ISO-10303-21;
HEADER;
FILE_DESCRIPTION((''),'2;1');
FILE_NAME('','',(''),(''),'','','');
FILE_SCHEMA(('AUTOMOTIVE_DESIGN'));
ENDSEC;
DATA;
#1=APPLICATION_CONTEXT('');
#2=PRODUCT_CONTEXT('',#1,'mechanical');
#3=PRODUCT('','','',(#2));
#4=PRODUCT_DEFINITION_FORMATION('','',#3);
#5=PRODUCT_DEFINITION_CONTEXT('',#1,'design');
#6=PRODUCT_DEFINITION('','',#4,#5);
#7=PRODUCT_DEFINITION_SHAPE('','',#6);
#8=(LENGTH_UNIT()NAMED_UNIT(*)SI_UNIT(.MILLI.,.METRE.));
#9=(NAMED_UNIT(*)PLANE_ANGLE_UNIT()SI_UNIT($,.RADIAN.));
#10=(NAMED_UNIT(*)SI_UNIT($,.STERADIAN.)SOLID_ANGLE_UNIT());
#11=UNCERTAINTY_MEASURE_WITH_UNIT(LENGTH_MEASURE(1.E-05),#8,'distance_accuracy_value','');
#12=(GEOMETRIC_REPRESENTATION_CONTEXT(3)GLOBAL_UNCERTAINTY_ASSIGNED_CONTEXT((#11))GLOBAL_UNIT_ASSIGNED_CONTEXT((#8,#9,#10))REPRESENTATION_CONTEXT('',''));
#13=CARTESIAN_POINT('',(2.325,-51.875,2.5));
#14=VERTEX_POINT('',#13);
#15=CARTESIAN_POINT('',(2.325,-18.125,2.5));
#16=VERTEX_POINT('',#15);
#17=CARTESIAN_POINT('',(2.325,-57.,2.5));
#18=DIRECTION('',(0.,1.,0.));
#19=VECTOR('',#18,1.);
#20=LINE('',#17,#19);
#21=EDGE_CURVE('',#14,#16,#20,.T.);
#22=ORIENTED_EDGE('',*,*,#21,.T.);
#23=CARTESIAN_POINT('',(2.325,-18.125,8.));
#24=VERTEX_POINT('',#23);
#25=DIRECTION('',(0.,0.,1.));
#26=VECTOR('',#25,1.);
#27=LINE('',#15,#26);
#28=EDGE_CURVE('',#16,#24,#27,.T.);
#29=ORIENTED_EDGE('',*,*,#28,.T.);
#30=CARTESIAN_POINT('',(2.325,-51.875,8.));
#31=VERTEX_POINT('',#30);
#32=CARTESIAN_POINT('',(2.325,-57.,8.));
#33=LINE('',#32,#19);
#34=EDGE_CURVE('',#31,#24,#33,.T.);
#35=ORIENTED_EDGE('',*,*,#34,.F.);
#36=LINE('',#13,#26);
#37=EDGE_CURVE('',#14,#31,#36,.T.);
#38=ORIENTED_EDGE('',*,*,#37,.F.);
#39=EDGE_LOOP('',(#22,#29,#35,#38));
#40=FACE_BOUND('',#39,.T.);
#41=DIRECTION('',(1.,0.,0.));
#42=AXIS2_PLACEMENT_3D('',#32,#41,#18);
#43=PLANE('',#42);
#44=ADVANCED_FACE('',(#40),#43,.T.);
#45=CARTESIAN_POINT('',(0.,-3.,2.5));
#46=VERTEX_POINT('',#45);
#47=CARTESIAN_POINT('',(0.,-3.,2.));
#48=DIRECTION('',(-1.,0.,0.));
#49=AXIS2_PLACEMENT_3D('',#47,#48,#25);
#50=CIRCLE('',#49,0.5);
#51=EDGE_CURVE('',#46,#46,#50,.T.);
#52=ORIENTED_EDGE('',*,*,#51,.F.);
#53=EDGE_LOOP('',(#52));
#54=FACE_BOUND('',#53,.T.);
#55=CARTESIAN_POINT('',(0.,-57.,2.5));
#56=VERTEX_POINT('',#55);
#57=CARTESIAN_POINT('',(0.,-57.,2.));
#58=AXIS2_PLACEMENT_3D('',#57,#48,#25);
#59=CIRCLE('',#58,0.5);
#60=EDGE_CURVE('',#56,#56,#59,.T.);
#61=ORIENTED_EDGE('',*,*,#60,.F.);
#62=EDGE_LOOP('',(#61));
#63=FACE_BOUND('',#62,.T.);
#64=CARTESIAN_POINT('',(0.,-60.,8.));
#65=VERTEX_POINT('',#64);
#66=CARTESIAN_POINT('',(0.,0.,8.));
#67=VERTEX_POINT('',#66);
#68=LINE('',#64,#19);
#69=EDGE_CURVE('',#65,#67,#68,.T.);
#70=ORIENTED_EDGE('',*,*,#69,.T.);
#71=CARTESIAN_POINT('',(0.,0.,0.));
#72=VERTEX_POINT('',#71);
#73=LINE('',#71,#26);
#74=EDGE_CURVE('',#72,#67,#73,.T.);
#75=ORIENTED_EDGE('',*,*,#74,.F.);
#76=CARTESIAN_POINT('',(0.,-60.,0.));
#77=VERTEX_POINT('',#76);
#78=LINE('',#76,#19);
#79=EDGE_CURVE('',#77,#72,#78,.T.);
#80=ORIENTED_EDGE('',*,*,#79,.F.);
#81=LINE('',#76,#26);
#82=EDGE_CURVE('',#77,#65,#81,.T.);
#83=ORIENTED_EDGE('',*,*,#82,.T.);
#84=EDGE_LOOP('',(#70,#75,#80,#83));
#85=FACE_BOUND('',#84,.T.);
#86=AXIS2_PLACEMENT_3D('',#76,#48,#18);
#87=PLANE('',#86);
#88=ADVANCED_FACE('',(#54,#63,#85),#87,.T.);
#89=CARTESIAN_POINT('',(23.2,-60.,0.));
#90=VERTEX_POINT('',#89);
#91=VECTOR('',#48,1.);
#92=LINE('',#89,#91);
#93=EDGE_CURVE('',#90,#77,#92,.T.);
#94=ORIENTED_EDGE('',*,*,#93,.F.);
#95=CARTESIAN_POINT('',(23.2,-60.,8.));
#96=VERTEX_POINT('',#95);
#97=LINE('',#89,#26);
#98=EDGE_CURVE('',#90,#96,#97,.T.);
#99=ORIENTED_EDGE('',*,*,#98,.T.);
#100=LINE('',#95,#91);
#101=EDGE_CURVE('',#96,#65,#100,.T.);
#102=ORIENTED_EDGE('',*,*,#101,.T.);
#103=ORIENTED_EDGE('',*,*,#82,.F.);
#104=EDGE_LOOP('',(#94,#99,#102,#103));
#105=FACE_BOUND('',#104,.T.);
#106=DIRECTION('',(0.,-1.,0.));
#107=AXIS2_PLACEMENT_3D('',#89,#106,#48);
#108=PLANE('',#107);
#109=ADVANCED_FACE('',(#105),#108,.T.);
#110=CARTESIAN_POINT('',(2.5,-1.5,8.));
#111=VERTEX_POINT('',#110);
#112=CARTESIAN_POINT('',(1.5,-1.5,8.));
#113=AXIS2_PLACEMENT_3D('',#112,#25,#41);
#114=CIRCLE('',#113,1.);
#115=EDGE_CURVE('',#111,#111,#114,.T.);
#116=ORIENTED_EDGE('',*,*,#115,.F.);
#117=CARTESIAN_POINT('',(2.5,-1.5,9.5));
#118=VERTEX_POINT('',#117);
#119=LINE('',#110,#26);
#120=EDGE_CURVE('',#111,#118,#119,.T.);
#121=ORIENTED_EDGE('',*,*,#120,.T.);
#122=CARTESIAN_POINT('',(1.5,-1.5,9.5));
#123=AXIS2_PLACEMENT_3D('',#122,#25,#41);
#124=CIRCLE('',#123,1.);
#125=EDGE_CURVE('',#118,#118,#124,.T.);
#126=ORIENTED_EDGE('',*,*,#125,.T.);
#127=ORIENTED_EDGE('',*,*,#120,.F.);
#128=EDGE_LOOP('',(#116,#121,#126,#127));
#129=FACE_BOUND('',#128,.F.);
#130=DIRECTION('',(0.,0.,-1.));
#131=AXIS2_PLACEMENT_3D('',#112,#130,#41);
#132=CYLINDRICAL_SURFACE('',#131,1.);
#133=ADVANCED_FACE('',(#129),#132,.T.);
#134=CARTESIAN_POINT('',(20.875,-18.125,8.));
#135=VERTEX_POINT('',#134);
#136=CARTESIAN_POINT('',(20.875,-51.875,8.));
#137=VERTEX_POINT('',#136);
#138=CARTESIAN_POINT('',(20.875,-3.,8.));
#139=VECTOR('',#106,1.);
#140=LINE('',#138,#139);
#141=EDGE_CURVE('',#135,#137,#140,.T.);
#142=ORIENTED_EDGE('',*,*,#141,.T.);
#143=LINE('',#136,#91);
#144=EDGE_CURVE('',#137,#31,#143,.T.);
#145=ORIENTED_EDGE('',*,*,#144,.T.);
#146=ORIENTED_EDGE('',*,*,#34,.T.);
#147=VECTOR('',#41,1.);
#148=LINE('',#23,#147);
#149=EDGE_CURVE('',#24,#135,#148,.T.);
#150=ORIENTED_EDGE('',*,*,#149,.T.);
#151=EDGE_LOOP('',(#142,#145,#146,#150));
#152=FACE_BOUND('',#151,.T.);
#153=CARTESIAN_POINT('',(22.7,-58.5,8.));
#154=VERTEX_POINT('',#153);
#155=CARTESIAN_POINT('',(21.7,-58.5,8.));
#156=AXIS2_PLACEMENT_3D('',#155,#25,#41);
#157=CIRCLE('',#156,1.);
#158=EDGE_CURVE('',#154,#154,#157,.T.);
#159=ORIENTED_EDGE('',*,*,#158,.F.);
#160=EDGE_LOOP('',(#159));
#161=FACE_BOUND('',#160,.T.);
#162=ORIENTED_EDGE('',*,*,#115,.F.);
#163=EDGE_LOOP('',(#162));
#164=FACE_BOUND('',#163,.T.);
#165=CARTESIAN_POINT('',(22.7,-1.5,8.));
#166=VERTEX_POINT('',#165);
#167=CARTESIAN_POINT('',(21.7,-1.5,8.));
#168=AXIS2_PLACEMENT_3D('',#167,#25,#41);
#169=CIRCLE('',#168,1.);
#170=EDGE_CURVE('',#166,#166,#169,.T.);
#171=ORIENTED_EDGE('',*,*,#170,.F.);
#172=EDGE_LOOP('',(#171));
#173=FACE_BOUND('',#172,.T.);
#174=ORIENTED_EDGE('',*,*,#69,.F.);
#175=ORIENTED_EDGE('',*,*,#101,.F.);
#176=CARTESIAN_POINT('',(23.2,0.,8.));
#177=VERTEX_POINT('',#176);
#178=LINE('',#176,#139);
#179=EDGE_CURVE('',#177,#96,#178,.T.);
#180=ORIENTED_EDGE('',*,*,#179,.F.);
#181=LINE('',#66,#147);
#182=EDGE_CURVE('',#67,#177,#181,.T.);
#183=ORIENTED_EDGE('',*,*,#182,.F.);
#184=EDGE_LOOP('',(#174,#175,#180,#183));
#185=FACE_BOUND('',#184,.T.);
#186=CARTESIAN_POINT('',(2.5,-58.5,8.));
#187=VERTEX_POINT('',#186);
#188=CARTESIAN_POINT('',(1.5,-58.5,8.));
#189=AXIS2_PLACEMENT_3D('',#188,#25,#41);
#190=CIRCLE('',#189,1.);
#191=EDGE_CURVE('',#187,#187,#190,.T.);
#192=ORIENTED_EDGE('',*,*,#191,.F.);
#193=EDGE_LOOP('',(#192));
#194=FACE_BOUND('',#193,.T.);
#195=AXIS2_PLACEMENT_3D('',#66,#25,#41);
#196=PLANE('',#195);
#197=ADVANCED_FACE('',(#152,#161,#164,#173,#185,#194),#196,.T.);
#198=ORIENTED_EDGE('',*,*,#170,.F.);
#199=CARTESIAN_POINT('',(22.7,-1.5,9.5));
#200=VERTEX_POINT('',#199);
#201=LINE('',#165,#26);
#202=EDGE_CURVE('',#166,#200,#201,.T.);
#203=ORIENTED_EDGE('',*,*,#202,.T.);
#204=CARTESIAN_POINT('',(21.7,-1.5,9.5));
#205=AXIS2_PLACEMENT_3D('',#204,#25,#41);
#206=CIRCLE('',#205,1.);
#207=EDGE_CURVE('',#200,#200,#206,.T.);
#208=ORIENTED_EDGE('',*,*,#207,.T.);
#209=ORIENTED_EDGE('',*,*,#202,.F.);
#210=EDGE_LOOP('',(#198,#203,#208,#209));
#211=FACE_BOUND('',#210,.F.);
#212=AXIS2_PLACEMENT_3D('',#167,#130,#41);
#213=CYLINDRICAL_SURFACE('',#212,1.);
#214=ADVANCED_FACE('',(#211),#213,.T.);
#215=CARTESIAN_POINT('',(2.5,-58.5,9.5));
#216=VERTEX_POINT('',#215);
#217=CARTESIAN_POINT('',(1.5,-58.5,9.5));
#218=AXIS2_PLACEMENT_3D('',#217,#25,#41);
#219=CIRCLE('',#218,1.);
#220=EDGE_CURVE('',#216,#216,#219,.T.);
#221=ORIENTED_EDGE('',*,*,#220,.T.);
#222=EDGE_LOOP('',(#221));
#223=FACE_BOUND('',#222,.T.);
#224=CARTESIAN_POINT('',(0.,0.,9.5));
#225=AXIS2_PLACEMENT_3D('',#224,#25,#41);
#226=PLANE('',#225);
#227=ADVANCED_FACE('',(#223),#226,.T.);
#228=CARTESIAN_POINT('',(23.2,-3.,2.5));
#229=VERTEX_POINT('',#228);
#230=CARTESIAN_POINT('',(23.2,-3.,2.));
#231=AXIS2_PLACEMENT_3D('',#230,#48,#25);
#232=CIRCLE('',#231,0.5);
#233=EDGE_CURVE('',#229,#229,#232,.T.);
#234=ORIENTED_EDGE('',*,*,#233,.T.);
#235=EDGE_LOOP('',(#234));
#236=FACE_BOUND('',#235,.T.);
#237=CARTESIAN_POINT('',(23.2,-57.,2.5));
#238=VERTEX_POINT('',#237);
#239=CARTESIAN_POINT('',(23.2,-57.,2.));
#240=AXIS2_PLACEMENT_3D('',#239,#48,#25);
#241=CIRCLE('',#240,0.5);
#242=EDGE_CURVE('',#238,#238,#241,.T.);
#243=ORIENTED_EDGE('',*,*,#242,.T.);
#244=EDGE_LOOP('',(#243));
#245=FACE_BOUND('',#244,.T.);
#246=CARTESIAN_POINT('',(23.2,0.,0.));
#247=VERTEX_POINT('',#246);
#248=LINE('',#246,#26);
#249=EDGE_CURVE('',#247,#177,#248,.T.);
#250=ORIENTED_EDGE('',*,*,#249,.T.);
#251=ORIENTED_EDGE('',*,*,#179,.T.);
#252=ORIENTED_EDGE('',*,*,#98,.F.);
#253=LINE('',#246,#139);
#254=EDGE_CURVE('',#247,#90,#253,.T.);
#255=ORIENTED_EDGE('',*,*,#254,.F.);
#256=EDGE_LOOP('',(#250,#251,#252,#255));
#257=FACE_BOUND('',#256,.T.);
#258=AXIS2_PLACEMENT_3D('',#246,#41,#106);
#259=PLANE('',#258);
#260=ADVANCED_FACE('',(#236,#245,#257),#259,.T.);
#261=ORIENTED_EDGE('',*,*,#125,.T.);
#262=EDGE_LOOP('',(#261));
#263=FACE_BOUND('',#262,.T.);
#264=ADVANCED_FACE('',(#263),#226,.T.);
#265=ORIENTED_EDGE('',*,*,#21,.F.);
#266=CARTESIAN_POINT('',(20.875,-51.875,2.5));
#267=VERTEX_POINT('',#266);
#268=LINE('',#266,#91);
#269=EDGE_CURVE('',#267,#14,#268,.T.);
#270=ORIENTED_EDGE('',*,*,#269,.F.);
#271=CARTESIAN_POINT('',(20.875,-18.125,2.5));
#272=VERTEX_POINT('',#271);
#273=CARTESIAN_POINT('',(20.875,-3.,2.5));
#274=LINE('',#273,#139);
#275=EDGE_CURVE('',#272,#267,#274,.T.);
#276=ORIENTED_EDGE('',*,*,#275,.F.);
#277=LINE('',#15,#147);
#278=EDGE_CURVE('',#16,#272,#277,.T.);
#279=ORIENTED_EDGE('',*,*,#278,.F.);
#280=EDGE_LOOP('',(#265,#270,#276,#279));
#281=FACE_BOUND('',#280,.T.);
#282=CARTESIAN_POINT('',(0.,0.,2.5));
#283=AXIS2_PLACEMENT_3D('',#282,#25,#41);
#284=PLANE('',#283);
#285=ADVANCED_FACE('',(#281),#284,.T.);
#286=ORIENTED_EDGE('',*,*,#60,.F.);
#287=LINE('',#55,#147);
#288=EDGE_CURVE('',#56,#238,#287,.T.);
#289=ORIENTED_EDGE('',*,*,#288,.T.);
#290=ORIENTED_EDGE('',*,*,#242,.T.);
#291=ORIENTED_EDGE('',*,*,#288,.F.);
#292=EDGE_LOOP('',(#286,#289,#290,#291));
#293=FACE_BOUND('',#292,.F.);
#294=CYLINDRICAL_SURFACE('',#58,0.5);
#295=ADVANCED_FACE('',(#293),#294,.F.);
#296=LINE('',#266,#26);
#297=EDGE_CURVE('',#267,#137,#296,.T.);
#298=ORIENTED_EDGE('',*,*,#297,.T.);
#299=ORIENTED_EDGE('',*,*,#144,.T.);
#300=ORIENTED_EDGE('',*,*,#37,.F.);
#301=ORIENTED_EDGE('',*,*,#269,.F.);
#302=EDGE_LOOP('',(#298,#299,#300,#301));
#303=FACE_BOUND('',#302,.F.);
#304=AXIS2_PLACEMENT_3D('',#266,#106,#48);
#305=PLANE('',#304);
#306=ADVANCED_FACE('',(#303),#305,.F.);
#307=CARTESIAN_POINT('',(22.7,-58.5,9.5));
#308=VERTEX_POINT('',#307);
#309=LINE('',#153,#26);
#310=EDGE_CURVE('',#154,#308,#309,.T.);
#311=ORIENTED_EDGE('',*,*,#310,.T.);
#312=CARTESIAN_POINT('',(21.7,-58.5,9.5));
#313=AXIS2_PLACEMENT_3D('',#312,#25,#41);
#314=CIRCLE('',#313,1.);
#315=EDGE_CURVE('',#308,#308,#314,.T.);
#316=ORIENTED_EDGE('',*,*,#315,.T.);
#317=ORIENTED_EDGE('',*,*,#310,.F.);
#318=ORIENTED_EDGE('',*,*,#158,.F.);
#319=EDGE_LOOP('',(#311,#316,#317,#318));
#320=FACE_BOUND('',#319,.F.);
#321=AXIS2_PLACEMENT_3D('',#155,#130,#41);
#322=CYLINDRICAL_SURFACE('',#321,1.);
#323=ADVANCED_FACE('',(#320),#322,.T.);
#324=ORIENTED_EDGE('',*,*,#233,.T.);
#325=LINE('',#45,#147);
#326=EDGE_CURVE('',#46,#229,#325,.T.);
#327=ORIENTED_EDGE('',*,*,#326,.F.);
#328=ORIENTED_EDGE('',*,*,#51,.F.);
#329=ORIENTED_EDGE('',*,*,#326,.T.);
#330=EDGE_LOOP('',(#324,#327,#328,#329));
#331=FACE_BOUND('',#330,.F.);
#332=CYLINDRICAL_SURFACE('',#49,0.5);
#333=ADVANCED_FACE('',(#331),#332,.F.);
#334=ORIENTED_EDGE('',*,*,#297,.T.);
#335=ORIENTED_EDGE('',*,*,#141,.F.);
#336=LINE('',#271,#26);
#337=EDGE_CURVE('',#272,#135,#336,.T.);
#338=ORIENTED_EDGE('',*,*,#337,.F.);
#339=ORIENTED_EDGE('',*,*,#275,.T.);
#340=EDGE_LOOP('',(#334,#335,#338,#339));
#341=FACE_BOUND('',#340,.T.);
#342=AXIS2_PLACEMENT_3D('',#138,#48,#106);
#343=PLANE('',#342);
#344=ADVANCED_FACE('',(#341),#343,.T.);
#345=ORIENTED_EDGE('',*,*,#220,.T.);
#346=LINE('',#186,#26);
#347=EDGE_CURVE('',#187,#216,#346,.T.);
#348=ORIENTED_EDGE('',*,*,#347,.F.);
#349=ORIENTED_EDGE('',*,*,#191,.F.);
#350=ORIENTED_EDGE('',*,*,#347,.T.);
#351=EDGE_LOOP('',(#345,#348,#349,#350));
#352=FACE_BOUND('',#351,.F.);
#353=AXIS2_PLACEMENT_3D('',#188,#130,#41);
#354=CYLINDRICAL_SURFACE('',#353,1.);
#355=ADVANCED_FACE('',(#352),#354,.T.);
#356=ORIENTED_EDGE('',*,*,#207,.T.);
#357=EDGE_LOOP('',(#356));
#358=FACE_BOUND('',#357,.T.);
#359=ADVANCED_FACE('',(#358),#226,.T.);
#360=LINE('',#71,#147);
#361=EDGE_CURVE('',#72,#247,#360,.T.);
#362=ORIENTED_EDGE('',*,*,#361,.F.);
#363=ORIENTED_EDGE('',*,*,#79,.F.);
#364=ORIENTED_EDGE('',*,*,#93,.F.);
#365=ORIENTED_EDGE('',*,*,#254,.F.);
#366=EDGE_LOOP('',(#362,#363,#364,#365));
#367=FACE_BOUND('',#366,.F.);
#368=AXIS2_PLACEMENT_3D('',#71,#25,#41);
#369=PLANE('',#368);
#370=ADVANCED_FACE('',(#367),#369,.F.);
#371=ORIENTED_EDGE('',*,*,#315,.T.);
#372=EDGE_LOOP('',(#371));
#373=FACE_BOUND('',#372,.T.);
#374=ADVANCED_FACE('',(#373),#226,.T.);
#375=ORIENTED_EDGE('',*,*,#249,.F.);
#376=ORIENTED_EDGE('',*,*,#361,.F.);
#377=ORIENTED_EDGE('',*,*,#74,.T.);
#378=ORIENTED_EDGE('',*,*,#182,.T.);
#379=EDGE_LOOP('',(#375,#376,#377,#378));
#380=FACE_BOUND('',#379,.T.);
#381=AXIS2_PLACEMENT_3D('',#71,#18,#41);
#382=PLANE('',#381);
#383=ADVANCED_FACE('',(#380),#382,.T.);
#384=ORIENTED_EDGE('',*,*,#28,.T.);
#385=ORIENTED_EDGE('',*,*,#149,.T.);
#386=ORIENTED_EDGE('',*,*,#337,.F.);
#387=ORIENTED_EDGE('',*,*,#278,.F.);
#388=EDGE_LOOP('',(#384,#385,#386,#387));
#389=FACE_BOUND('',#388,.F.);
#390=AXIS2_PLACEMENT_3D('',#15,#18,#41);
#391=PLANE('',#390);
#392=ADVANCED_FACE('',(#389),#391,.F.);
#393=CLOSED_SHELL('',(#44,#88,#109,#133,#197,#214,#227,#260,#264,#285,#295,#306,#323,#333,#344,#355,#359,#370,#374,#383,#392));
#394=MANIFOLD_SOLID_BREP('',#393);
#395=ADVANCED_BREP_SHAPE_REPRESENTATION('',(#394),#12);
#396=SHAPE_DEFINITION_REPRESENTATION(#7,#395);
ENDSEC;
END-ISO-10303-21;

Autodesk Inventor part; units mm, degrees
ref_plane "YZ Plane" through (0, 0, 0) normal (1, 0, 0) x (0, 1, 0)
ref_plane "XZ Plane" through (0, 0, 0) normal (0, 1, 0) x (-1, 0, 0)
ref_plane "XY Plane" through (0, 0, 0) normal (0, 0, 1) x (1, 0, 0)
sketch "Sketch1" plane through (0, 0, 0) normal (0, 0, 1) x (1, 0, 0)
  line L0 (0, 0) -> (23.2, 0)
  line L1 (23.2, 0) -> (23.2, -60)
  line L2 (23.2, -60) -> (0, -60)
  line L3 (0, -60) -> (0, 0)
  dimension "d0" = 23.2
  dimension "d1" = 60
extrude "Extrusion1" add sketch "Sketch1" along normal blind 8
sketch "Sketch2" plane through (0, 0, 8) normal (0, 0, 1) x (1, 0, 0)
  line L0 (23.2, 0) -> (0, 0) projected
  line L1 (2.325, -3) -> (20.875, -3)
  line L2 (20.875, -3) -> (20.875, -57)
  line L3 (20.875, -57) -> (2.325, -57)
  line L4 (2.325, -57) -> (2.325, -3)
  line L5 (0, 0) -> (23.2, 0)
  line L6 (23.2, 0) -> (23.2, -60)
  line L7 (23.2, -60) -> (0, -60)
  line L8 (0, -60) -> (0, 0)
  dimension "d8" = 3
  dimension "d9" = 3
  dimension "d10" = 2.325
  dimension "d11" = 2.325
extrude "Extrusion2" cut sketch "Sketch2" against normal blind 5.5 contours L1 L2 L3 L4
sketch "Sketch3" plane through (0, -60, 0) normal (-1, 0, 0) x (0, 0, 1)
  circle A0 centre (2, 57) radius 0.5
  line L0 (0, 60) -> (8, 60) projected
  line L1 (0, 60) -> (0, 0) projected
  circle A1 centre (2, 3) radius 0.5
  line L2 (0, 0) -> (8, 0) projected
  dimension "d16" = 1
  dimension "d17" = 3
  dimension "d21" = 1
  dimension "d22" = 2
  dimension "d23" = 3
  dimension "d24" = 2
extrude "Extrusion3" cut sketch "Sketch3" against normal blind 25
sketch "Sketch4" plane through (0, 0, 8) normal (0, 0, 1) x (1, 0, 0)
  line L0 (2.325, -57) -> (2.325, -3) projected
  circle A0 centre (1.5, -1.5) radius 1
  line L1 (20.875, -57) -> (2.325, -57) projected
  line L2 (20.875, -3) -> (20.875, -57) projected
  line L3 (2.325, -3) -> (20.875, -3) projected
  line L4 (20.875, -3) -> (20.875, -4.1486)
  circle A1 centre (21.7, -1.5) radius 1
  circle A2 centre (21.7, -58.5) radius 1
  circle A3 centre (1.5, -58.5) radius 1
  line L5 (0, -60) -> (23.2, -60) projected
  line L6 (23.2, -60) -> (23.2, 0) projected
  line L7 (23.2, 0) -> (0, 0) projected
  line L8 (0, 0) -> (0, -60) projected
  dimension "d27" = 2
  dimension "d29" = 2
  dimension "d31" = 2
  dimension "d32" = 2
  dimension "d34" = 1.5
  dimension "d35" = 1.5
  dimension "d36" = 1.5
  dimension "d37" = 1.5
  dimension "d38" = 1.5
  dimension "d39" = 1.5
  dimension "d40" = 1.5
  dimension "d41" = 1.5
extrude "Extrusion4" add sketch "Sketch4" along normal blind 1.5 contours A0 | A1 | A2 | A3
sketch "Sketch6" plane through (0, 0, 2.5) normal (0, 0, 1) x (1, 0, 0)
  line L0 (2.325, -3) -> (20.875, -3) projected
  line L1 (20.875, -57) -> (2.325, -57) projected
  line L2 (2.325, -18.125) -> (20.875, -18.125)
  line L3 (20.875, -51.875) -> (2.325, -51.875)
  line L4 (2.325, -51.875) -> (2.325, -18.125)
  line L5 (23.2, -60) -> (23.2, 0) projected
  line L6 (20.875, -18.125) -> (20.875, -51.875)
  line L7 (2.325, -57) -> (2.325, -3) projected
  line L8 (2.325, -3) -> (20.875, -3)
  line L9 (20.875, -3) -> (20.875, -18.125)
  line L10 (20.875, -18.125) -> (2.325, -18.125)
  line L11 (2.325, -18.125) -> (2.325, -3)
  line L12 (2.325, -51.875) -> (20.875, -51.875)
  line L13 (20.875, -51.875) -> (20.875, -57)
  line L14 (20.875, -57) -> (2.325, -57)
  line L15 (2.325, -57) -> (2.325, -51.875)
  point P0 (0, 0)
  dimension "d46" = 15.125
  dimension "d47" = 5.125
  dimension "d49" = 20.875
extrude "Extrusion5" add sketch "Sketch6" along normal blind 5.5 contours L0 L9 L2 L7 | L3 L13 L1 L7
properties part number "BaseBluetooth"
